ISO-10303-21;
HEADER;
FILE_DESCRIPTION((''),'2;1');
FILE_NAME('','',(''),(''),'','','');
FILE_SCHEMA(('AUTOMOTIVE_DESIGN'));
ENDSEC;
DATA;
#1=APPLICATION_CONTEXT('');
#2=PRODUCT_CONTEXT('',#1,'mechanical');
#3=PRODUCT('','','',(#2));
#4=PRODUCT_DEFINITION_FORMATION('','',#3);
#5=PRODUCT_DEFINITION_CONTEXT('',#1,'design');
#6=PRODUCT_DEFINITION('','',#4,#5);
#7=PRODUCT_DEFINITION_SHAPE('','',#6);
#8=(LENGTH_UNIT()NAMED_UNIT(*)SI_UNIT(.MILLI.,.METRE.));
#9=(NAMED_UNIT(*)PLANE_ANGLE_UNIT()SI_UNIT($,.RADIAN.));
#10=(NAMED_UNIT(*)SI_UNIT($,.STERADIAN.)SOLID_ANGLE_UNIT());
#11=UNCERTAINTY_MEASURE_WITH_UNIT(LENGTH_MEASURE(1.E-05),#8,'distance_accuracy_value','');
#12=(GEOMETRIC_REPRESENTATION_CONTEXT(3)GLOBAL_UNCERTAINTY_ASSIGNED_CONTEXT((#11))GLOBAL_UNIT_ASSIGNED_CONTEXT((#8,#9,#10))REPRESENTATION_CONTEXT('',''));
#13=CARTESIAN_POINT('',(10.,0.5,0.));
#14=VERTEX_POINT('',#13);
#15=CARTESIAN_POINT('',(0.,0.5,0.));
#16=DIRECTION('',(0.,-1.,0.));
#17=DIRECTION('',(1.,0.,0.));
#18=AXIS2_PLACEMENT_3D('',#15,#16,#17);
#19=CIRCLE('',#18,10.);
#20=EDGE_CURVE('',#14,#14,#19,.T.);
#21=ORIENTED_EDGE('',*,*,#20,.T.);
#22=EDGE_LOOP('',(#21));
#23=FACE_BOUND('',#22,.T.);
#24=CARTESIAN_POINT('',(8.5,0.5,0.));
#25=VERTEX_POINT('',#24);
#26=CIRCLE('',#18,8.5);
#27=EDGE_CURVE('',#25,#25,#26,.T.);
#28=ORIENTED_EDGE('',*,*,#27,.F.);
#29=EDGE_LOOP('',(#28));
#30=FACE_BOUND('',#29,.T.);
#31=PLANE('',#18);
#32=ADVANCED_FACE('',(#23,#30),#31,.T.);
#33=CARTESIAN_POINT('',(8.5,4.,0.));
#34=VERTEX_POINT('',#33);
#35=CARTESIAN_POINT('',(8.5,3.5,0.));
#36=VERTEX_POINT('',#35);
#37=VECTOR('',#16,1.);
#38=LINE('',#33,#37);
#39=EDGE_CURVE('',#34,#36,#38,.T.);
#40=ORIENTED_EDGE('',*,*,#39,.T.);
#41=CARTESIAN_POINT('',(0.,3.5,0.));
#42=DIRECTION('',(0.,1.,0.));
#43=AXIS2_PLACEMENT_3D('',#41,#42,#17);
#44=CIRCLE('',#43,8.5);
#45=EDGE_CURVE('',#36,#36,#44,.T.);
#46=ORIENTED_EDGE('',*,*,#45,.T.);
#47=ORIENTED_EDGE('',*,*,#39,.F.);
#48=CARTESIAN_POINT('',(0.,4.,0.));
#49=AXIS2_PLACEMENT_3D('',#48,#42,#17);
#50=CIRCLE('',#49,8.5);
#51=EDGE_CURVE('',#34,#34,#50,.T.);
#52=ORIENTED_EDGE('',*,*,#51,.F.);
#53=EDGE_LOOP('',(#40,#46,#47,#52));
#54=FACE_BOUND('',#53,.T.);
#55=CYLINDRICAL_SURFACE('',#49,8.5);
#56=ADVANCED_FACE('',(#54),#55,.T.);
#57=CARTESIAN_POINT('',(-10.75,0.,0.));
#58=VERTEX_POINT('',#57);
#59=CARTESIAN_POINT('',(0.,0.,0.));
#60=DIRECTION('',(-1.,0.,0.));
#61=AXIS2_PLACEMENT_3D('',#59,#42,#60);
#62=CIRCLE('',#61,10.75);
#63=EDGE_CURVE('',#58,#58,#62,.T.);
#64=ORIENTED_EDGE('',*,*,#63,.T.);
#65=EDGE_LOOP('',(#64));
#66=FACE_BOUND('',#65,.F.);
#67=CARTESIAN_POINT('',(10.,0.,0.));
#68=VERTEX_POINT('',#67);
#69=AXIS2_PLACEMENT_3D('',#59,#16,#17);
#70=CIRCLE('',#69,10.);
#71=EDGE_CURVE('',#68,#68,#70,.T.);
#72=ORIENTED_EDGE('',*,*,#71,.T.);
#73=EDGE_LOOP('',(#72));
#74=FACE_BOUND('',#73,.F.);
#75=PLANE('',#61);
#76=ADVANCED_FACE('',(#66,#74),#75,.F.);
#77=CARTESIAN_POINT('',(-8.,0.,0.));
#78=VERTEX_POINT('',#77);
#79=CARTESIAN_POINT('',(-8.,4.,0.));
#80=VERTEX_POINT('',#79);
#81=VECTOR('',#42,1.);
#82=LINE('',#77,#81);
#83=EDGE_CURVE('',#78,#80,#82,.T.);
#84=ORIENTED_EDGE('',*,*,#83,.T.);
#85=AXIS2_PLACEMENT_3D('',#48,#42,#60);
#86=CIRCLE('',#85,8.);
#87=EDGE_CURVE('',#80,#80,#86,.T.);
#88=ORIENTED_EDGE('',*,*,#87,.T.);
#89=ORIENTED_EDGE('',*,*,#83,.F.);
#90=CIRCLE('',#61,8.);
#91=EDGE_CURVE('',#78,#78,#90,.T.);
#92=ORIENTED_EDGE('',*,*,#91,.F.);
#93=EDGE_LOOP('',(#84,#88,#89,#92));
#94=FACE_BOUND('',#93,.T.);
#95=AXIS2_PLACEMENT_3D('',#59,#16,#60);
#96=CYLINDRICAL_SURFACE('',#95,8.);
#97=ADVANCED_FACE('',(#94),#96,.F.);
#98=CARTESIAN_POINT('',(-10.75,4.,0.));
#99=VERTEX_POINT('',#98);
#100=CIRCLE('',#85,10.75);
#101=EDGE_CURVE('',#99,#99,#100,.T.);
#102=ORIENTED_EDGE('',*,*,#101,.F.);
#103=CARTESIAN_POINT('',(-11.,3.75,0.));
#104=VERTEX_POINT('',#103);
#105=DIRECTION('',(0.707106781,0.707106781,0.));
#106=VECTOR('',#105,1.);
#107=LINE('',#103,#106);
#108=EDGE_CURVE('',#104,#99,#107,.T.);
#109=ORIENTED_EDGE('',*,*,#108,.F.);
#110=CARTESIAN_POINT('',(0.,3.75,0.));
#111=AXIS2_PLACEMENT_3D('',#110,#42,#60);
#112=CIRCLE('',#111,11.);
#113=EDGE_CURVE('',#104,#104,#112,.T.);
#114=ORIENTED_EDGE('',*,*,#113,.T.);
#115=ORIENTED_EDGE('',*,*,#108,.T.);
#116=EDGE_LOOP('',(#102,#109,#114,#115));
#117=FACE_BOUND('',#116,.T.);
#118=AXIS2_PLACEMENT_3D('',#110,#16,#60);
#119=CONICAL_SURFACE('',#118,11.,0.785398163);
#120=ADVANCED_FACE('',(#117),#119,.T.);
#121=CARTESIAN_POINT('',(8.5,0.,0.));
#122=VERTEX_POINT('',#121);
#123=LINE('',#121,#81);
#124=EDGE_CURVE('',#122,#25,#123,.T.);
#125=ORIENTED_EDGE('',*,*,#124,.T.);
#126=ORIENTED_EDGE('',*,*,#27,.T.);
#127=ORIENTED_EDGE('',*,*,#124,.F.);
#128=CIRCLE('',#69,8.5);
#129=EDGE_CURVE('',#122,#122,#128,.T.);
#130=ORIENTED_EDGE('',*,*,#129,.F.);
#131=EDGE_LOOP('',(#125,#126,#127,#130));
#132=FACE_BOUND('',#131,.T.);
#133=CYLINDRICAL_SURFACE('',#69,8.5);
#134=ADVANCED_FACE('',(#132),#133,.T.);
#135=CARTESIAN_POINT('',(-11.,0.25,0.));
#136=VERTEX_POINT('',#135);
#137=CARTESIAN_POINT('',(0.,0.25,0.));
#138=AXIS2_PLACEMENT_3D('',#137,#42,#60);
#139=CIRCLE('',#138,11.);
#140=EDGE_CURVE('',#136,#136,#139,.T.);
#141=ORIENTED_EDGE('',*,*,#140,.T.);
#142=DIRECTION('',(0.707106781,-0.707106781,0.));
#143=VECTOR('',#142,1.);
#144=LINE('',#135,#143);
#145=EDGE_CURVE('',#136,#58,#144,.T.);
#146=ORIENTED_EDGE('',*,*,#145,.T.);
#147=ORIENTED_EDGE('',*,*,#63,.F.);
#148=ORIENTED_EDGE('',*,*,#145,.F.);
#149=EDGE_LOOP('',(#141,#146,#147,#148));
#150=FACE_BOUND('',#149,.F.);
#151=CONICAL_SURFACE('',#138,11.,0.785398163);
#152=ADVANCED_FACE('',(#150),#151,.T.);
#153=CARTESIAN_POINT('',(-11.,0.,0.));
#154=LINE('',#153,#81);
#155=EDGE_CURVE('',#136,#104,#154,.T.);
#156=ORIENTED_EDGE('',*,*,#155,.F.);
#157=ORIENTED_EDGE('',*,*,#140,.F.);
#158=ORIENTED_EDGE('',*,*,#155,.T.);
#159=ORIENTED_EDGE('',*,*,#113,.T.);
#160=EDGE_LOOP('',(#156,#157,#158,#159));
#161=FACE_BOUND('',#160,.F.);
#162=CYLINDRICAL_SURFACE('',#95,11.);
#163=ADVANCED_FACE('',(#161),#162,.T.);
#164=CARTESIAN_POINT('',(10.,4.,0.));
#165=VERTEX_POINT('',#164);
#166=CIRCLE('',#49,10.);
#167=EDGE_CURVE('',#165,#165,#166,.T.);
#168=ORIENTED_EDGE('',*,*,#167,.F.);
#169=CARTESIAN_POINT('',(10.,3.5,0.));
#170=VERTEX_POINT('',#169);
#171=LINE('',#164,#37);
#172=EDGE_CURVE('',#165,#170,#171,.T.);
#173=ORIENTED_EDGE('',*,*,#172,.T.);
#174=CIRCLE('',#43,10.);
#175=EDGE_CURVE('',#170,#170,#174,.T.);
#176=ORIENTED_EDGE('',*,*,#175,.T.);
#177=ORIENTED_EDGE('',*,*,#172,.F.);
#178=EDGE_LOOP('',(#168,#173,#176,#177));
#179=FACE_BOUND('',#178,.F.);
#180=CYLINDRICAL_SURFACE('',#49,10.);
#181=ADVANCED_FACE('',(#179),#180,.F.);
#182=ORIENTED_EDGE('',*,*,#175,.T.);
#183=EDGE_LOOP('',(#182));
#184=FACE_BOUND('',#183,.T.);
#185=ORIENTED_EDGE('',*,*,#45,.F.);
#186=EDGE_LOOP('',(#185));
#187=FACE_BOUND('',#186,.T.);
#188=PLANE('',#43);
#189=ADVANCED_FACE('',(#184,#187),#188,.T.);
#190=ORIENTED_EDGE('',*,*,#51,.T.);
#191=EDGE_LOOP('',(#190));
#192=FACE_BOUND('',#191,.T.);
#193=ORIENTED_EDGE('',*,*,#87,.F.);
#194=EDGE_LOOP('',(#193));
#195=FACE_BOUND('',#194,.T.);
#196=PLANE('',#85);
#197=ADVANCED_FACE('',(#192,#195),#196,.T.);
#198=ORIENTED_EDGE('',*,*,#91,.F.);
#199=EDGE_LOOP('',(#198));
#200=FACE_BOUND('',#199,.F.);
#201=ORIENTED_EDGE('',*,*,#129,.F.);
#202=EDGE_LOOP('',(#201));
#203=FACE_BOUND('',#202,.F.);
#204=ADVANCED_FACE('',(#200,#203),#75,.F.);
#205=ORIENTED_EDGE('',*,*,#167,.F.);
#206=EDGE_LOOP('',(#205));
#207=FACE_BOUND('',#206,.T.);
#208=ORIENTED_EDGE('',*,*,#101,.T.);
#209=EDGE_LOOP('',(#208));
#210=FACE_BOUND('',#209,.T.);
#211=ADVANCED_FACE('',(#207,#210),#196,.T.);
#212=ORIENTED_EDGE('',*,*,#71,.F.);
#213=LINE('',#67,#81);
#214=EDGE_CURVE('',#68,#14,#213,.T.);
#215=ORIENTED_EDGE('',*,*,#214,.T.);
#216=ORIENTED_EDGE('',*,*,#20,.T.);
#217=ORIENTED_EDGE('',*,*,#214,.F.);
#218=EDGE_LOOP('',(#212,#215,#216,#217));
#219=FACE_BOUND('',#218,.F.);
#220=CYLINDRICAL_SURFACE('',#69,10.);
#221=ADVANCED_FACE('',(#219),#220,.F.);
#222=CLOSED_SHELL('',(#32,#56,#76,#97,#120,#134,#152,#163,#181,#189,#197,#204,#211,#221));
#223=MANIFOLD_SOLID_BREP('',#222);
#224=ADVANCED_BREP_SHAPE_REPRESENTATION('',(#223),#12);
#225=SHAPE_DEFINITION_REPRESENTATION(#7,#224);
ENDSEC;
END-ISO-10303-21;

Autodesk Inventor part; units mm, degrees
ref_plane "YZ Plane" through (0, 0, 0) normal (1, 0, 0) x (0, 1, 0)
ref_plane "XZ Plane" through (0, 0, 0) normal (0, 1, 0) x (-1, 0, 0)
ref_plane "XY Plane" through (0, 0, 0) normal (0, 0, 1) x (1, 0, 0)
sketch "Sketch1" plane through (0, 0, 0) normal (0, 1, 0) x (-1, 0, 0)
  circle A0 centre (0, 0) radius 8
  circle A1 centre (0, 0) radius 11
  dimension "d0" = 16
  dimension "d1" = 22
extrude "Extrusion1" add sketch "Sketch1" along normal blind 4
chamfer "Chamfer1" distance 0.25 angle 45 2 edges at (11, 4, 0) (11, 0, 0)
sketch "Sketch2" plane through (0, 4, 0) normal (0, 1, 0) x (1, 0, 0)
  circle A0 centre (0, 0) radius 8 construction
  circle A1 centre (0, 0) radius 8.5
  circle A2 centre (0, 0) radius 10
  dimension "d7" = 0.5
  dimension "d8" = 1.5
extrude "Extrusion2" cut sketch "Sketch2" against normal blind 0.5
sketch "Sketch3" plane through (0, 0, 0) normal (0, -1, 0) x (1, 0, 0)
  circle A0 centre (0, 0) radius 10 projected
  circle A1 centre (0, 0) radius 8.5 projected
extrude "Extrusion3" cut sketch "Sketch3" against normal blind 0.5
properties part number "16mm ID x 22mm OD x 4mm Thickness Ball Bearing"
